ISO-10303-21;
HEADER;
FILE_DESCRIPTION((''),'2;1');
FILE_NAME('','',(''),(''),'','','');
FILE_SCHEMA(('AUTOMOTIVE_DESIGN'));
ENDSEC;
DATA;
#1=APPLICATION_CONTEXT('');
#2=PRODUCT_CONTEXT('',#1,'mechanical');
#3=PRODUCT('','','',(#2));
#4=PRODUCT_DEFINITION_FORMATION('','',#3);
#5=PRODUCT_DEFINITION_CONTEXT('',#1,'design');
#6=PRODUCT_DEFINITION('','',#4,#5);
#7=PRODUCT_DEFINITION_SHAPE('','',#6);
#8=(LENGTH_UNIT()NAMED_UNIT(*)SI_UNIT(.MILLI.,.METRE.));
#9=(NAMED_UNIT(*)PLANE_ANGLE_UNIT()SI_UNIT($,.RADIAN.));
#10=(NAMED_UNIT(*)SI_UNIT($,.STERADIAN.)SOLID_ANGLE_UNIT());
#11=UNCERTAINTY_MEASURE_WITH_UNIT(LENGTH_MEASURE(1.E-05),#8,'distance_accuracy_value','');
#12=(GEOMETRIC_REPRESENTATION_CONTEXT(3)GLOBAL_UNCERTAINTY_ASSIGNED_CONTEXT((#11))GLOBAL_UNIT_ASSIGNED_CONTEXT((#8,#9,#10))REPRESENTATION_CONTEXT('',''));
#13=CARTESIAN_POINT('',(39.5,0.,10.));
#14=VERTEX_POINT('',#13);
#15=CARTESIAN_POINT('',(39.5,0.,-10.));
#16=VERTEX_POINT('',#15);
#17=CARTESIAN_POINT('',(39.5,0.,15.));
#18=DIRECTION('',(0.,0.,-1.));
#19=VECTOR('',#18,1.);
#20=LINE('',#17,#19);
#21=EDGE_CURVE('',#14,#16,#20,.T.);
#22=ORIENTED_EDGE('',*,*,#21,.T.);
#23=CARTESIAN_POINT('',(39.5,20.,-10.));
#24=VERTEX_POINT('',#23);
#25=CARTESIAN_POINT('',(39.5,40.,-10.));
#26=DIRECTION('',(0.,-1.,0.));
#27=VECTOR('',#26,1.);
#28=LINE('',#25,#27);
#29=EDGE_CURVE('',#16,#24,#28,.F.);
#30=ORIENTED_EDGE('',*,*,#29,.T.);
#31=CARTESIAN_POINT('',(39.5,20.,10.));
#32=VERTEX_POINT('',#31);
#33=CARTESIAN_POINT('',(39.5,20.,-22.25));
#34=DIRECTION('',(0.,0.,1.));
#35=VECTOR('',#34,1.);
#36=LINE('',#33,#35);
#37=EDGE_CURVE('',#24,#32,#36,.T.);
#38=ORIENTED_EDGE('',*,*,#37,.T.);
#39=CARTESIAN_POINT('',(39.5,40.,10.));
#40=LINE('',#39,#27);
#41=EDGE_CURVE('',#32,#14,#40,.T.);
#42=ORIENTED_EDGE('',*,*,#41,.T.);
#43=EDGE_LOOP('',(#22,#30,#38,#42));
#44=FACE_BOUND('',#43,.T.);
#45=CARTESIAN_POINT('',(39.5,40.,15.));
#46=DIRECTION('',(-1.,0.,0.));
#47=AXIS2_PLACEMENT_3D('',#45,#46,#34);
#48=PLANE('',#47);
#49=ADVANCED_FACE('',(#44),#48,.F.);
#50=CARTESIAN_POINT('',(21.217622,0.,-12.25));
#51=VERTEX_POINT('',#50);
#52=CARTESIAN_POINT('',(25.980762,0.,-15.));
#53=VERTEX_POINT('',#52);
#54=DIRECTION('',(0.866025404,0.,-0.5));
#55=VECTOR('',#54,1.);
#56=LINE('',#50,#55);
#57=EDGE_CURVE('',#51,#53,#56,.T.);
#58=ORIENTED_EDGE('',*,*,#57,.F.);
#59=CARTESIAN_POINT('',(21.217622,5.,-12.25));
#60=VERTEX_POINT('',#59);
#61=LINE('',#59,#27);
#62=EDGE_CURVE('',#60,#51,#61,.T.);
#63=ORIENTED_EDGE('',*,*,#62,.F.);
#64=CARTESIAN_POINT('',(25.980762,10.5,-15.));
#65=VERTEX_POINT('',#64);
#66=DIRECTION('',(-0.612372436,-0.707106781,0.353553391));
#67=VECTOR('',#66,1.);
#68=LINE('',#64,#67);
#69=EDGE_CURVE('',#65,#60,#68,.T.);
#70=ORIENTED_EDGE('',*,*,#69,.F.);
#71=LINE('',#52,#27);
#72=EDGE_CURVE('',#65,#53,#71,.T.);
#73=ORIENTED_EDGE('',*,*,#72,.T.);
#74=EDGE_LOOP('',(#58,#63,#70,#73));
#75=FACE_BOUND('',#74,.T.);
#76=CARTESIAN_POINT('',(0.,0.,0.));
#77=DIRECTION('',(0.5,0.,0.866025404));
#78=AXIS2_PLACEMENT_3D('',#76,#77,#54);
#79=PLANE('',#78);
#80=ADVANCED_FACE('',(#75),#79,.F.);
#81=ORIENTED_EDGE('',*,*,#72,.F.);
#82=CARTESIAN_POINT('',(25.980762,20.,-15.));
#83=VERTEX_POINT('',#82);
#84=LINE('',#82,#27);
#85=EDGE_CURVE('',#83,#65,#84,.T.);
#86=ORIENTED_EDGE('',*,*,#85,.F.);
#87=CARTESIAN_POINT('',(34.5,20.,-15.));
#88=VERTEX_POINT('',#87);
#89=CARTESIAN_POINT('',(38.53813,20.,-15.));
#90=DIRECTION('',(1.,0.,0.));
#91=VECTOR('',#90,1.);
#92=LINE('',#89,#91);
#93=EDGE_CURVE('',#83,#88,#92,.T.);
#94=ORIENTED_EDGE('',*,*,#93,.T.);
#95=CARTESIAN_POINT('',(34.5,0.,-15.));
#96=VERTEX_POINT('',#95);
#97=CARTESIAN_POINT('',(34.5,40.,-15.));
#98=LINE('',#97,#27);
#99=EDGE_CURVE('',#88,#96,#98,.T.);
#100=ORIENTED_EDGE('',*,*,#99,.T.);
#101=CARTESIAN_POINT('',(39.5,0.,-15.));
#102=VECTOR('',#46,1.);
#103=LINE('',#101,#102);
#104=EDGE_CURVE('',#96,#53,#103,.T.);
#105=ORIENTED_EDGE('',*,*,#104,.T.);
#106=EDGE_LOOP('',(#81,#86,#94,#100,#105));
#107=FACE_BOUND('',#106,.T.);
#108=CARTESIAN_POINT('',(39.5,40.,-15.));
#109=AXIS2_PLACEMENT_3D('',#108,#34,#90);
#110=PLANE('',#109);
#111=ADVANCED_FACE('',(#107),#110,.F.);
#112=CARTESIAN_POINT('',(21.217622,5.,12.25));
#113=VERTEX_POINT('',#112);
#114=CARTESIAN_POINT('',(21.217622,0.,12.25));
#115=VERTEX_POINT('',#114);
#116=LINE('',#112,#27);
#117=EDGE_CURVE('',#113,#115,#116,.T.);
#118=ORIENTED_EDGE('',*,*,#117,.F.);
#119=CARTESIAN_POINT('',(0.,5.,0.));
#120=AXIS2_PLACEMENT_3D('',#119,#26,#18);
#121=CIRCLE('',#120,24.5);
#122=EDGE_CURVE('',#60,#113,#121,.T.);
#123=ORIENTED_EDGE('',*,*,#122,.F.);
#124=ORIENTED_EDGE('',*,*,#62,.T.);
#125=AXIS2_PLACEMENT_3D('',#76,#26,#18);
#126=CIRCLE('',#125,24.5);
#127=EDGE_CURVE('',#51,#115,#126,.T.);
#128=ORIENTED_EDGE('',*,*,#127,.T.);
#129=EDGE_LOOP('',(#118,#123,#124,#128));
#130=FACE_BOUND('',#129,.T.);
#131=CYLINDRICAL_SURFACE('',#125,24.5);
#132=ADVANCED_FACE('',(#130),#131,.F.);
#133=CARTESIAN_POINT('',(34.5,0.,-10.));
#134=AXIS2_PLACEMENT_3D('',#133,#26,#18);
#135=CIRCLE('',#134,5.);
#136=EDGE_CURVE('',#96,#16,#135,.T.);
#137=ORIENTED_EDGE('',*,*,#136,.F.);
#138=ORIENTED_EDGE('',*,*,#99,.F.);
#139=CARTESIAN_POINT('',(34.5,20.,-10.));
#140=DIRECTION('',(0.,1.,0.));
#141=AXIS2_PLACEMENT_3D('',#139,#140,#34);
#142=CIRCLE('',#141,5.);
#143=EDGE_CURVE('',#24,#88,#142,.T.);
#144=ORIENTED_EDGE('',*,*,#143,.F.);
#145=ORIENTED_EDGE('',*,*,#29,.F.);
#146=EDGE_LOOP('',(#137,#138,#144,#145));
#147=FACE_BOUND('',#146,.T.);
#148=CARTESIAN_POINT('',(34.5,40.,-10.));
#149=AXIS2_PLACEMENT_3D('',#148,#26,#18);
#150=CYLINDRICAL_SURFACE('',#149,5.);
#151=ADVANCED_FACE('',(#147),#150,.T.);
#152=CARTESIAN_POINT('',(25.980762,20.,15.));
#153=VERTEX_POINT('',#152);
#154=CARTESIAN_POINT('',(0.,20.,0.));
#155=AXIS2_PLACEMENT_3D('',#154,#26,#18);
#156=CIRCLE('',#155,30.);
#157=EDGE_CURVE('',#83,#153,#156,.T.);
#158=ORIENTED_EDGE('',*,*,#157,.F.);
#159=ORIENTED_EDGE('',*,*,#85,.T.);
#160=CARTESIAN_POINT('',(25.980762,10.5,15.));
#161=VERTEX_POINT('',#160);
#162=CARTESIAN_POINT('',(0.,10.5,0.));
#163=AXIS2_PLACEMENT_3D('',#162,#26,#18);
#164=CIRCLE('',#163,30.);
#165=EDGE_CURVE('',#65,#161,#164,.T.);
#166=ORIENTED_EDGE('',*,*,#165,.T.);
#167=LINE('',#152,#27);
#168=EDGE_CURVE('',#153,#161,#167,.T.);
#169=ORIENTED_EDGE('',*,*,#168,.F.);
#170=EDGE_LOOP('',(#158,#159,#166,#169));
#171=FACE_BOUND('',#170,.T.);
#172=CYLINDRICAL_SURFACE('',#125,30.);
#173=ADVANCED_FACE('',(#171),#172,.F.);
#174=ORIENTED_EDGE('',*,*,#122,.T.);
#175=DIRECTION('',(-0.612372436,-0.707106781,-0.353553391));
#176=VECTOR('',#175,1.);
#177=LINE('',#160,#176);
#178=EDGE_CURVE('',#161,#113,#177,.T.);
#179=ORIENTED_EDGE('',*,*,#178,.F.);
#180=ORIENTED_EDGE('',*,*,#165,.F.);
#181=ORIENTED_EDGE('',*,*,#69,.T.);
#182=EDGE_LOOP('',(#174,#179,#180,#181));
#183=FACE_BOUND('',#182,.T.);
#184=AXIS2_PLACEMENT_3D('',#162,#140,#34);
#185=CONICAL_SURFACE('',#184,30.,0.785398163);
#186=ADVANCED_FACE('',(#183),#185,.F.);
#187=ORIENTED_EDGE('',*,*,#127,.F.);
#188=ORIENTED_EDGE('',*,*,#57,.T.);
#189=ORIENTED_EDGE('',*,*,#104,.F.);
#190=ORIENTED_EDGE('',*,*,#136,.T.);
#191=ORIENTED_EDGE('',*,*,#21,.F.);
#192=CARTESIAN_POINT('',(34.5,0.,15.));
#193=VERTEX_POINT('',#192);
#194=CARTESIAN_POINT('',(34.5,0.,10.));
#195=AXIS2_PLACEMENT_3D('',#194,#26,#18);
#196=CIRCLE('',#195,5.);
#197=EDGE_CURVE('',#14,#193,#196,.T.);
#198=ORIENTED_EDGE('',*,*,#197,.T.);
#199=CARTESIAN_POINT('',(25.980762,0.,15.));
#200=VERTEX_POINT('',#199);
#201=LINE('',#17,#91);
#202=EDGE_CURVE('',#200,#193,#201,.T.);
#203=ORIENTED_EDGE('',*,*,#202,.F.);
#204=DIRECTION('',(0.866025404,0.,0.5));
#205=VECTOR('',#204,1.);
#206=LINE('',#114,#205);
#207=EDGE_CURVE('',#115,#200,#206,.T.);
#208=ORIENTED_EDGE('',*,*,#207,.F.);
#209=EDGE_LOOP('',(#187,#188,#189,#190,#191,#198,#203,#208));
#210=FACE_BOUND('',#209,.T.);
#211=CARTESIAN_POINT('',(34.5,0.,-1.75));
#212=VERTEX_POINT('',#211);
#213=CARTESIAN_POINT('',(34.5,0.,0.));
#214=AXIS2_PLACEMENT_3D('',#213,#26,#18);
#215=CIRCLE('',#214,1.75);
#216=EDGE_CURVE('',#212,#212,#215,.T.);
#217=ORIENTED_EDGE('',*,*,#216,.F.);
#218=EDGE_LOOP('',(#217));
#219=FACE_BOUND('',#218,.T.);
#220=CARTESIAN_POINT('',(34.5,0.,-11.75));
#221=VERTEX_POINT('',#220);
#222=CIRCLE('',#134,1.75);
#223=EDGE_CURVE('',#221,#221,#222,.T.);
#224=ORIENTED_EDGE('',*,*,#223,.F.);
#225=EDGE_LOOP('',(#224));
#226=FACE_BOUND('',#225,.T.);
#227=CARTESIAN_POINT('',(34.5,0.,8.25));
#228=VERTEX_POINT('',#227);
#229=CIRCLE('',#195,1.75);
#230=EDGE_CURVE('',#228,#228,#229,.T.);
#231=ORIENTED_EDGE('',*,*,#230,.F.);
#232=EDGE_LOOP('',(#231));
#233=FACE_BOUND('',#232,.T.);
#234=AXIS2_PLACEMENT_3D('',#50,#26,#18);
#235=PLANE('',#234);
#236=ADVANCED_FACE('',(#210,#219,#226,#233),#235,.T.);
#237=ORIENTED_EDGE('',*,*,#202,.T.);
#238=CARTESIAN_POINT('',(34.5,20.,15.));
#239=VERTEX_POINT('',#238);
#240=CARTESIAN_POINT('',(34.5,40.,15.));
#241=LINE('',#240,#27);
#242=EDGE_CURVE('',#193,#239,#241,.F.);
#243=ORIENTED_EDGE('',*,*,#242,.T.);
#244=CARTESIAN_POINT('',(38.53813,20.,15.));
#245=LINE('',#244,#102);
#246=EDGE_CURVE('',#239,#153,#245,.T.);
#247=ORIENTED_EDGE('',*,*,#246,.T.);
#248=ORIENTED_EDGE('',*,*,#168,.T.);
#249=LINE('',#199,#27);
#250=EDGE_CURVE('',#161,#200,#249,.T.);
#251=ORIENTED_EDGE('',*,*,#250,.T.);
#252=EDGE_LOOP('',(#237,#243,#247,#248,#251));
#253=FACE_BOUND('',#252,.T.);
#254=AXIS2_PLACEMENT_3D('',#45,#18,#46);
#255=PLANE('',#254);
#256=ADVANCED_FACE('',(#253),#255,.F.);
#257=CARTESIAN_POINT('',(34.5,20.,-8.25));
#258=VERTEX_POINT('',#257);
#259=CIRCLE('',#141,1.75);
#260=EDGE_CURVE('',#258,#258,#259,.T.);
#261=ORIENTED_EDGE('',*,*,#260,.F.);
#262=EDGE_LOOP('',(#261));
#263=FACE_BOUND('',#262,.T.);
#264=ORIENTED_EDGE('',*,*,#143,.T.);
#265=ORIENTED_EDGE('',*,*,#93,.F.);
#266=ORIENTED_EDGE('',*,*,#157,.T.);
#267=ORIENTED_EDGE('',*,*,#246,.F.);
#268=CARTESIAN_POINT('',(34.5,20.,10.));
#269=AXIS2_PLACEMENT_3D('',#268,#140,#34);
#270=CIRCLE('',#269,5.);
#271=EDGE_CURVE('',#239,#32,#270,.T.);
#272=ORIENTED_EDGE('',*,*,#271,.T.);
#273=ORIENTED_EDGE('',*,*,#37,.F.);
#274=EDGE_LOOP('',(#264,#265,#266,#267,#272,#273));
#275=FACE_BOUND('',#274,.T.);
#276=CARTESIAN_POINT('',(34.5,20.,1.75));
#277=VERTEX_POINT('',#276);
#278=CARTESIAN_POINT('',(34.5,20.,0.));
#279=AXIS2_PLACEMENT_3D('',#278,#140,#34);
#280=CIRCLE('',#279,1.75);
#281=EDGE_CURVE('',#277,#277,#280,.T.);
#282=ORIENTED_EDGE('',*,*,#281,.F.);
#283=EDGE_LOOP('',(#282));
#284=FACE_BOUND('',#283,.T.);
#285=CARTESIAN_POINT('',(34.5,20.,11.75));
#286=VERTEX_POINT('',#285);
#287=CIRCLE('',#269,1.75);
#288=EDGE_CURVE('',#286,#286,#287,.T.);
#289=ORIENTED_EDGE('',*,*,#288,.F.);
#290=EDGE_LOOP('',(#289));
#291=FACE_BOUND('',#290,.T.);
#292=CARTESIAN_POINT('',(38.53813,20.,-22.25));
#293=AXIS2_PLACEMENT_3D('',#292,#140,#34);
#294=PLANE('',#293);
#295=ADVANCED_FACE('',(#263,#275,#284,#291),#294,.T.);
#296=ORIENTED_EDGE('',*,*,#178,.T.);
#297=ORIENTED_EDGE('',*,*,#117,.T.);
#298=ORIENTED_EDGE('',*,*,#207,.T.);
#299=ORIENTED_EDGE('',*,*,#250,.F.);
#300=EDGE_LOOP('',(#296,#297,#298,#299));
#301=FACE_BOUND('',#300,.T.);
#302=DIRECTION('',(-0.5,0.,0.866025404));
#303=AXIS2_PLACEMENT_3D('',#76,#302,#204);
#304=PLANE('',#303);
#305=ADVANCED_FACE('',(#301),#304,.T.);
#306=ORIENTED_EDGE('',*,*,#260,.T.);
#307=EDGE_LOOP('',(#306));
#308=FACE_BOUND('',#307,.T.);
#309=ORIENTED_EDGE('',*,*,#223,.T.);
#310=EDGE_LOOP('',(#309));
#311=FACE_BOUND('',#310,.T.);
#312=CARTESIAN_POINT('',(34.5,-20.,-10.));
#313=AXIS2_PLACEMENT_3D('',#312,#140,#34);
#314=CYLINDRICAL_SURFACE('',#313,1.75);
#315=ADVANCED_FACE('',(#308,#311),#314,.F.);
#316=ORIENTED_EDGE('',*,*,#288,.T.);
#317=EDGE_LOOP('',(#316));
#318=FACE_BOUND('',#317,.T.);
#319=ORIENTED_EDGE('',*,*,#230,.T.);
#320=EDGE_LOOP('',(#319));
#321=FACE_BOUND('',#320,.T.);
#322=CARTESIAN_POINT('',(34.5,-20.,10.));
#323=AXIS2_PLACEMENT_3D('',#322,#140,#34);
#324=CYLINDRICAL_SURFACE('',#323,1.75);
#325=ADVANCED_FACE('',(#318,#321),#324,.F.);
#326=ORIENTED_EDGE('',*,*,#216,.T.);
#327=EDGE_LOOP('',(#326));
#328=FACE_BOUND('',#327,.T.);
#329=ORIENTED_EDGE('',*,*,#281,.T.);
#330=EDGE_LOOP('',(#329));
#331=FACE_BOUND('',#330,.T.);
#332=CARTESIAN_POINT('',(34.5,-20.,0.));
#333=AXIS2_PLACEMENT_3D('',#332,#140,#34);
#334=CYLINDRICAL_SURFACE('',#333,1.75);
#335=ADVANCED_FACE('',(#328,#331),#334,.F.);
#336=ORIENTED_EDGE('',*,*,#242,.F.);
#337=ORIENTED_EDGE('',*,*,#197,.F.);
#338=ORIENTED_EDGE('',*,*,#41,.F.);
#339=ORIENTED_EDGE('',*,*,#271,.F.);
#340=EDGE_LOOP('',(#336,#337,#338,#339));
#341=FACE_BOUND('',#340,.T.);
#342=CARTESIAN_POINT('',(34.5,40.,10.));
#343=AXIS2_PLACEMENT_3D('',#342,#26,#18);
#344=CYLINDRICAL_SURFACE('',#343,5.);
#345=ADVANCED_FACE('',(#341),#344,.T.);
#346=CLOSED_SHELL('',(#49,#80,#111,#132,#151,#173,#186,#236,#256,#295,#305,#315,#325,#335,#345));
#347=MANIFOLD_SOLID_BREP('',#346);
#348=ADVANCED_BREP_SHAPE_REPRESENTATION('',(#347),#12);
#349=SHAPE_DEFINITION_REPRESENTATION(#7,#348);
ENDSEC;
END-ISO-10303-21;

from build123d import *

# Parameters (mm, degrees)
REVOLVE1_ANGLE      = 60
SKETCH2_OUTSIDE_W   = 36.094
SKETCH2_OUTSIDE_H   = 57.312
SKETCH2_OUTSIDE_W_2 = 27.637577589
SKETCH2_OUTSIDE_H_2 = 30
CUT_EXTRUDE2_DEPTH  = 40
FILLET1_R           = 5
SKETCH3_R           = 1.75
CUT_EXTRUDE3_DEPTH  = 40


with BuildPart() as part:
    # Sketch1 → Revolve1 (revolve, symmetric)
    with BuildSketch(Plane.XY) as revolve1_sk:
        Polygon((30, 20), (30, 10.5), (24.5, 5), (24.5, 0), (44.5, 0), (44.5, 20), align=None)
    revolve(axis=Axis((0, 0, 0), (0, 1, 0)), revolution_arc=REVOLVE1_ANGLE / 2)
    revolve(revolve1_sk.sketch, axis=Axis((0, 0, 0), (0, -1, 0)), revolution_arc=REVOLVE1_ANGLE / 2)

    # Sketch2 outside → Cut-Extrude2 (cut)
    with BuildSketch(Plane(origin=(0, 0, 0), x_dir=(1, 0, 0), z_dir=(0, 1, 0))):
        with Locations((32.859, 0)):
            Rectangle(SKETCH2_OUTSIDE_W, SKETCH2_OUTSIDE_H)
        with Locations((25.681211205, 0)):
            Rectangle(SKETCH2_OUTSIDE_W_2, SKETCH2_OUTSIDE_H_2, mode=Mode.SUBTRACT)
    extrude(amount=CUT_EXTRUDE2_DEPTH, mode=Mode.SUBTRACT)

    # Fillet1
    fillet1_edges = [part.edges().sort_by_distance(p)[0] for p in [
        (39.5, 10, -15),
        (39.5, 10, 15),
    ]]
    fillet(fillet1_edges, radius=FILLET1_R)

    # Sketch3 → Cut-Extrude3 (cut)
    with BuildSketch(Plane(origin=(0, 20, 0), x_dir=(1, 0, 0), z_dir=(0, 1, 0))):
        with Locations(Location((34.5, -10, 0), (0, 0, 270))):
            Circle(SKETCH3_R)
        with Locations(Location((34.5, 10, 0), (0, 0, 270))):
            Circle(SKETCH3_R)
        with Locations(Location((34.5, 0, 0), (0, 0, 270))):
            Circle(SKETCH3_R)
    extrude(amount=-CUT_EXTRUDE3_DEPTH, mode=Mode.SUBTRACT)


solid = part.part
